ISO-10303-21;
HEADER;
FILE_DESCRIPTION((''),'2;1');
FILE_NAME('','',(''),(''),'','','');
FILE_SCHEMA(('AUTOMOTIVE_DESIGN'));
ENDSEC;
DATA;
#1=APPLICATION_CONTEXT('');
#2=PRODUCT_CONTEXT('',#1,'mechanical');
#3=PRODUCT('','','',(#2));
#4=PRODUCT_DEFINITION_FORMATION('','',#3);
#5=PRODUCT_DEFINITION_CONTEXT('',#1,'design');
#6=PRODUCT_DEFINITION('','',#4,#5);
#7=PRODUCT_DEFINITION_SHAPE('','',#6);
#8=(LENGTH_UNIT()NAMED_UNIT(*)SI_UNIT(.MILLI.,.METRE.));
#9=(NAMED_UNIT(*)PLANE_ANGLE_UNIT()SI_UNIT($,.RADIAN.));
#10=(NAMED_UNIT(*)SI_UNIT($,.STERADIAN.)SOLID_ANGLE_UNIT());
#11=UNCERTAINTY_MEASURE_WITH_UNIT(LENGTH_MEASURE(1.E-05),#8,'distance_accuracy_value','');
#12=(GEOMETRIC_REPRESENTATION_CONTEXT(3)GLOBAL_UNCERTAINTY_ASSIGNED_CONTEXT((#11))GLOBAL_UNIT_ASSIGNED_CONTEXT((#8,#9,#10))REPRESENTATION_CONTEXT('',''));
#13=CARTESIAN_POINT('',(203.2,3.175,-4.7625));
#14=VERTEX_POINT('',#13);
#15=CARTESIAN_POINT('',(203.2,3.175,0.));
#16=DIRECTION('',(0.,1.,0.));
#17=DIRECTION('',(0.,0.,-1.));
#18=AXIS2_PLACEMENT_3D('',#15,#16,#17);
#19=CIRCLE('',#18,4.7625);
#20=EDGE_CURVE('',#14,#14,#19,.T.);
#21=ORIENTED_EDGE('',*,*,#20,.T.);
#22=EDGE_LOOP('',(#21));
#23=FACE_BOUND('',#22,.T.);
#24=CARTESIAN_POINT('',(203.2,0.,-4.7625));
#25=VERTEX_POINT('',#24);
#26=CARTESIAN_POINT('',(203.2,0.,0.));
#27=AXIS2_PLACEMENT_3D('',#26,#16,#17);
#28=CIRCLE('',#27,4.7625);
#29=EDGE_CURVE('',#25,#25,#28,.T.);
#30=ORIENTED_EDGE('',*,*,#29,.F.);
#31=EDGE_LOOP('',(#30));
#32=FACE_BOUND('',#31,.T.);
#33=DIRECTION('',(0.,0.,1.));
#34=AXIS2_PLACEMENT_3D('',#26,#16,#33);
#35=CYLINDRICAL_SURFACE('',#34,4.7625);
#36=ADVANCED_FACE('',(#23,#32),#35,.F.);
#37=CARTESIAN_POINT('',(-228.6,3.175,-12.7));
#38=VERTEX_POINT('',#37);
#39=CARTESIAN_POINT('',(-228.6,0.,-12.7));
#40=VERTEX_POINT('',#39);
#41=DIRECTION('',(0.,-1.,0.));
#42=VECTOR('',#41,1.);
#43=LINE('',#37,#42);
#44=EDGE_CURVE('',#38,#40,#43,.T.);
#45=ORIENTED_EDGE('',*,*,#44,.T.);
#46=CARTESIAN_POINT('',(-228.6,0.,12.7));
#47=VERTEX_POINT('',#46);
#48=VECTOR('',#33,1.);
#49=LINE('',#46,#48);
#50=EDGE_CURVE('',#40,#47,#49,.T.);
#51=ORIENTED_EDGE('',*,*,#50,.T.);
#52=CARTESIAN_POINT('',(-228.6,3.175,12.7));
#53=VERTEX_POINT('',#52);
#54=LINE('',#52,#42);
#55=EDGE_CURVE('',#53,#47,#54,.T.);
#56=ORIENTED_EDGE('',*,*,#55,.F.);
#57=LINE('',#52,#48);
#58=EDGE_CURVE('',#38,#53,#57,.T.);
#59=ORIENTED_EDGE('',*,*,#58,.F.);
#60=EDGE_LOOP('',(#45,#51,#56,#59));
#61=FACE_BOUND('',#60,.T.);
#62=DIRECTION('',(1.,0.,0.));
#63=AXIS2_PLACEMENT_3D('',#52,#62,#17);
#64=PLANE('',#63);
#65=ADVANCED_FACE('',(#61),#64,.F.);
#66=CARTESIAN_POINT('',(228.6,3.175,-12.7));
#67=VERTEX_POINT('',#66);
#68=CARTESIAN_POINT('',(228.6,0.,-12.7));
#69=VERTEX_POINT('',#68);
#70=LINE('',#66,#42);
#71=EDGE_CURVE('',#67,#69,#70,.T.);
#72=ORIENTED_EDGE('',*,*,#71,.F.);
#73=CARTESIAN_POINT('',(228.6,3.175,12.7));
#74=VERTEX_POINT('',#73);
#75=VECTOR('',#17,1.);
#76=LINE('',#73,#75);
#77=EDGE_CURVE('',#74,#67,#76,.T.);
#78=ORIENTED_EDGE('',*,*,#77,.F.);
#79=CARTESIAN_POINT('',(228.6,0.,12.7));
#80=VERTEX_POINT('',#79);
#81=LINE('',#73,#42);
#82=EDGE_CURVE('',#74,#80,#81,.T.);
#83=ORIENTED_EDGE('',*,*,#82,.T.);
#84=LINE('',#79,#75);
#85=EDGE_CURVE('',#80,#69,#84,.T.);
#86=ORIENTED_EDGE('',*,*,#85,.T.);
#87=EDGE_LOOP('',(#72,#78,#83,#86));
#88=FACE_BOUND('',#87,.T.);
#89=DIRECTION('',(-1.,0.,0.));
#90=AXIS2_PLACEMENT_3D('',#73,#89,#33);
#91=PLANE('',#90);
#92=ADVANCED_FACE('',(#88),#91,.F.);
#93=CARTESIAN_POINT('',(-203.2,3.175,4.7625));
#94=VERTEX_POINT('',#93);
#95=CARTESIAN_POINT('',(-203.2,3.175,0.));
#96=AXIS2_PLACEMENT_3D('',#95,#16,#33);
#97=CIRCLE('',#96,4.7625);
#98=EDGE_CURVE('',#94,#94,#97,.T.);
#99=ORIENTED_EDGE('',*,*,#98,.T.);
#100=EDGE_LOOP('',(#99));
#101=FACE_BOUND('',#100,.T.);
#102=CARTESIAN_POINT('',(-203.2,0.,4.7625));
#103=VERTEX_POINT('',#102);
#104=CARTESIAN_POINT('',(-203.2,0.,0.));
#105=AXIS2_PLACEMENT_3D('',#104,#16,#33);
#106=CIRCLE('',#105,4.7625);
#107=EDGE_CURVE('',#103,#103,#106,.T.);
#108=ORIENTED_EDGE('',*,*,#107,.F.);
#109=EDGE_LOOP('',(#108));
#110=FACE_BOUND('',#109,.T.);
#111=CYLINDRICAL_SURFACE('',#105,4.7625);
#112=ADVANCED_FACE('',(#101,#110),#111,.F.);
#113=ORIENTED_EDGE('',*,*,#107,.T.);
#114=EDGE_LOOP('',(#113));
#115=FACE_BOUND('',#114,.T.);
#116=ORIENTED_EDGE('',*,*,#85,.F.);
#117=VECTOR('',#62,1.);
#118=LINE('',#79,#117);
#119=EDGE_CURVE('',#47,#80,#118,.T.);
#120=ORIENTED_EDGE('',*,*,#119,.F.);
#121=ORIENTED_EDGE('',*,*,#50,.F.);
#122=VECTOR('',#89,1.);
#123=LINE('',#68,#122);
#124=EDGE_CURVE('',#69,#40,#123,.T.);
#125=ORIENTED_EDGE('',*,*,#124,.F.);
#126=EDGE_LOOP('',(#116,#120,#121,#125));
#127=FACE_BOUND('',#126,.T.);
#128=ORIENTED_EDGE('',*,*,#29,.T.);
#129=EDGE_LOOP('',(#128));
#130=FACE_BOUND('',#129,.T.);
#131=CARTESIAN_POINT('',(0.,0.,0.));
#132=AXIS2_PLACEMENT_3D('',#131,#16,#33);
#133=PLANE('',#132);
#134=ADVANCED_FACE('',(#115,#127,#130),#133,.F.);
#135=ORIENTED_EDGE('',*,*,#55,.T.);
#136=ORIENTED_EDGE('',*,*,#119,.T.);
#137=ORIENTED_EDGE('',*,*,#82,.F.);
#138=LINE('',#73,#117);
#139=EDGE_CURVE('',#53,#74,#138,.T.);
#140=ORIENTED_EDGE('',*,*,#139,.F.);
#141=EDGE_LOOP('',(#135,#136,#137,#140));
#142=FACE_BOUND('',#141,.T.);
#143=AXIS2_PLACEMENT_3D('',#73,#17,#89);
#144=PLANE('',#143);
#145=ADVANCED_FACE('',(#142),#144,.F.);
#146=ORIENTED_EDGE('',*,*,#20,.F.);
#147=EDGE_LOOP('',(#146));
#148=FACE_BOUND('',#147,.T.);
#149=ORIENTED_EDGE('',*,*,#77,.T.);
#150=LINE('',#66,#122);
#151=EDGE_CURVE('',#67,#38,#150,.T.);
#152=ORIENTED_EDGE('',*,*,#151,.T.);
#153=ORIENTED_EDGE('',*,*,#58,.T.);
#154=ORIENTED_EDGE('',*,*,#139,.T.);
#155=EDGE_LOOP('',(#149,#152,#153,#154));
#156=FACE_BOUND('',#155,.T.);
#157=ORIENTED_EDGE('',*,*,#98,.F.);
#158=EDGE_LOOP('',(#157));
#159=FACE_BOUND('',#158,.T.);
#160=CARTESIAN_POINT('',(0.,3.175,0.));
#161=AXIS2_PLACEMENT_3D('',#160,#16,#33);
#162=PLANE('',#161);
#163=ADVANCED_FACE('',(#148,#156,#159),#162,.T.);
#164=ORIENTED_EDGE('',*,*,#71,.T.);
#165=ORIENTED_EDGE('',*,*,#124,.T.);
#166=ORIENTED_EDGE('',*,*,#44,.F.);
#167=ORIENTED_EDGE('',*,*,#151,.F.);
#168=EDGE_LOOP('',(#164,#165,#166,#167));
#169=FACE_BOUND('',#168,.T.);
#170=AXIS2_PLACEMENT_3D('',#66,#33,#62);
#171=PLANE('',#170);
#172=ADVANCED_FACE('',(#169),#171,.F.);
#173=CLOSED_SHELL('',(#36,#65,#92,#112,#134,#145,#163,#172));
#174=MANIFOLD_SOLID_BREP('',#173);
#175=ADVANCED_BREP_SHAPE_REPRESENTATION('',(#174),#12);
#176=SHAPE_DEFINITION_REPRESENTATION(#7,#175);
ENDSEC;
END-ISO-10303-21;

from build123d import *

# Parameters (mm, degrees)
SKETCH1_W           = 457.2
SKETCH1_H           = 25.4
BOSS_EXTRUDE1_DEPTH = 3.175
SKETCH2_R           = 4.7625
CUT_EXTRUDE1_DEPTH  = 4.175


with BuildPart() as part:
    # Sketch1 → Boss-Extrude1 (new body)
    with BuildSketch(Plane(origin=(0, 0, 0), x_dir=(1, 0, 0), z_dir=(0, 1, 0))):
        Rectangle(SKETCH1_W, SKETCH1_H)
    extrude(amount=BOSS_EXTRUDE1_DEPTH)

    # Sketch2 → Cut-Extrude1 (cut, through all)
    with BuildSketch(Plane(origin=(0, 3.175, 0), x_dir=(1, 0, 0), z_dir=(0, 1, 0))):
        with Locations((-203.2, 0)):
            Circle(SKETCH2_R)
        with Locations((203.2, 0)):
            Circle(SKETCH2_R)
    extrude(amount=-CUT_EXTRUDE1_DEPTH, mode=Mode.SUBTRACT)


solid = part.part
